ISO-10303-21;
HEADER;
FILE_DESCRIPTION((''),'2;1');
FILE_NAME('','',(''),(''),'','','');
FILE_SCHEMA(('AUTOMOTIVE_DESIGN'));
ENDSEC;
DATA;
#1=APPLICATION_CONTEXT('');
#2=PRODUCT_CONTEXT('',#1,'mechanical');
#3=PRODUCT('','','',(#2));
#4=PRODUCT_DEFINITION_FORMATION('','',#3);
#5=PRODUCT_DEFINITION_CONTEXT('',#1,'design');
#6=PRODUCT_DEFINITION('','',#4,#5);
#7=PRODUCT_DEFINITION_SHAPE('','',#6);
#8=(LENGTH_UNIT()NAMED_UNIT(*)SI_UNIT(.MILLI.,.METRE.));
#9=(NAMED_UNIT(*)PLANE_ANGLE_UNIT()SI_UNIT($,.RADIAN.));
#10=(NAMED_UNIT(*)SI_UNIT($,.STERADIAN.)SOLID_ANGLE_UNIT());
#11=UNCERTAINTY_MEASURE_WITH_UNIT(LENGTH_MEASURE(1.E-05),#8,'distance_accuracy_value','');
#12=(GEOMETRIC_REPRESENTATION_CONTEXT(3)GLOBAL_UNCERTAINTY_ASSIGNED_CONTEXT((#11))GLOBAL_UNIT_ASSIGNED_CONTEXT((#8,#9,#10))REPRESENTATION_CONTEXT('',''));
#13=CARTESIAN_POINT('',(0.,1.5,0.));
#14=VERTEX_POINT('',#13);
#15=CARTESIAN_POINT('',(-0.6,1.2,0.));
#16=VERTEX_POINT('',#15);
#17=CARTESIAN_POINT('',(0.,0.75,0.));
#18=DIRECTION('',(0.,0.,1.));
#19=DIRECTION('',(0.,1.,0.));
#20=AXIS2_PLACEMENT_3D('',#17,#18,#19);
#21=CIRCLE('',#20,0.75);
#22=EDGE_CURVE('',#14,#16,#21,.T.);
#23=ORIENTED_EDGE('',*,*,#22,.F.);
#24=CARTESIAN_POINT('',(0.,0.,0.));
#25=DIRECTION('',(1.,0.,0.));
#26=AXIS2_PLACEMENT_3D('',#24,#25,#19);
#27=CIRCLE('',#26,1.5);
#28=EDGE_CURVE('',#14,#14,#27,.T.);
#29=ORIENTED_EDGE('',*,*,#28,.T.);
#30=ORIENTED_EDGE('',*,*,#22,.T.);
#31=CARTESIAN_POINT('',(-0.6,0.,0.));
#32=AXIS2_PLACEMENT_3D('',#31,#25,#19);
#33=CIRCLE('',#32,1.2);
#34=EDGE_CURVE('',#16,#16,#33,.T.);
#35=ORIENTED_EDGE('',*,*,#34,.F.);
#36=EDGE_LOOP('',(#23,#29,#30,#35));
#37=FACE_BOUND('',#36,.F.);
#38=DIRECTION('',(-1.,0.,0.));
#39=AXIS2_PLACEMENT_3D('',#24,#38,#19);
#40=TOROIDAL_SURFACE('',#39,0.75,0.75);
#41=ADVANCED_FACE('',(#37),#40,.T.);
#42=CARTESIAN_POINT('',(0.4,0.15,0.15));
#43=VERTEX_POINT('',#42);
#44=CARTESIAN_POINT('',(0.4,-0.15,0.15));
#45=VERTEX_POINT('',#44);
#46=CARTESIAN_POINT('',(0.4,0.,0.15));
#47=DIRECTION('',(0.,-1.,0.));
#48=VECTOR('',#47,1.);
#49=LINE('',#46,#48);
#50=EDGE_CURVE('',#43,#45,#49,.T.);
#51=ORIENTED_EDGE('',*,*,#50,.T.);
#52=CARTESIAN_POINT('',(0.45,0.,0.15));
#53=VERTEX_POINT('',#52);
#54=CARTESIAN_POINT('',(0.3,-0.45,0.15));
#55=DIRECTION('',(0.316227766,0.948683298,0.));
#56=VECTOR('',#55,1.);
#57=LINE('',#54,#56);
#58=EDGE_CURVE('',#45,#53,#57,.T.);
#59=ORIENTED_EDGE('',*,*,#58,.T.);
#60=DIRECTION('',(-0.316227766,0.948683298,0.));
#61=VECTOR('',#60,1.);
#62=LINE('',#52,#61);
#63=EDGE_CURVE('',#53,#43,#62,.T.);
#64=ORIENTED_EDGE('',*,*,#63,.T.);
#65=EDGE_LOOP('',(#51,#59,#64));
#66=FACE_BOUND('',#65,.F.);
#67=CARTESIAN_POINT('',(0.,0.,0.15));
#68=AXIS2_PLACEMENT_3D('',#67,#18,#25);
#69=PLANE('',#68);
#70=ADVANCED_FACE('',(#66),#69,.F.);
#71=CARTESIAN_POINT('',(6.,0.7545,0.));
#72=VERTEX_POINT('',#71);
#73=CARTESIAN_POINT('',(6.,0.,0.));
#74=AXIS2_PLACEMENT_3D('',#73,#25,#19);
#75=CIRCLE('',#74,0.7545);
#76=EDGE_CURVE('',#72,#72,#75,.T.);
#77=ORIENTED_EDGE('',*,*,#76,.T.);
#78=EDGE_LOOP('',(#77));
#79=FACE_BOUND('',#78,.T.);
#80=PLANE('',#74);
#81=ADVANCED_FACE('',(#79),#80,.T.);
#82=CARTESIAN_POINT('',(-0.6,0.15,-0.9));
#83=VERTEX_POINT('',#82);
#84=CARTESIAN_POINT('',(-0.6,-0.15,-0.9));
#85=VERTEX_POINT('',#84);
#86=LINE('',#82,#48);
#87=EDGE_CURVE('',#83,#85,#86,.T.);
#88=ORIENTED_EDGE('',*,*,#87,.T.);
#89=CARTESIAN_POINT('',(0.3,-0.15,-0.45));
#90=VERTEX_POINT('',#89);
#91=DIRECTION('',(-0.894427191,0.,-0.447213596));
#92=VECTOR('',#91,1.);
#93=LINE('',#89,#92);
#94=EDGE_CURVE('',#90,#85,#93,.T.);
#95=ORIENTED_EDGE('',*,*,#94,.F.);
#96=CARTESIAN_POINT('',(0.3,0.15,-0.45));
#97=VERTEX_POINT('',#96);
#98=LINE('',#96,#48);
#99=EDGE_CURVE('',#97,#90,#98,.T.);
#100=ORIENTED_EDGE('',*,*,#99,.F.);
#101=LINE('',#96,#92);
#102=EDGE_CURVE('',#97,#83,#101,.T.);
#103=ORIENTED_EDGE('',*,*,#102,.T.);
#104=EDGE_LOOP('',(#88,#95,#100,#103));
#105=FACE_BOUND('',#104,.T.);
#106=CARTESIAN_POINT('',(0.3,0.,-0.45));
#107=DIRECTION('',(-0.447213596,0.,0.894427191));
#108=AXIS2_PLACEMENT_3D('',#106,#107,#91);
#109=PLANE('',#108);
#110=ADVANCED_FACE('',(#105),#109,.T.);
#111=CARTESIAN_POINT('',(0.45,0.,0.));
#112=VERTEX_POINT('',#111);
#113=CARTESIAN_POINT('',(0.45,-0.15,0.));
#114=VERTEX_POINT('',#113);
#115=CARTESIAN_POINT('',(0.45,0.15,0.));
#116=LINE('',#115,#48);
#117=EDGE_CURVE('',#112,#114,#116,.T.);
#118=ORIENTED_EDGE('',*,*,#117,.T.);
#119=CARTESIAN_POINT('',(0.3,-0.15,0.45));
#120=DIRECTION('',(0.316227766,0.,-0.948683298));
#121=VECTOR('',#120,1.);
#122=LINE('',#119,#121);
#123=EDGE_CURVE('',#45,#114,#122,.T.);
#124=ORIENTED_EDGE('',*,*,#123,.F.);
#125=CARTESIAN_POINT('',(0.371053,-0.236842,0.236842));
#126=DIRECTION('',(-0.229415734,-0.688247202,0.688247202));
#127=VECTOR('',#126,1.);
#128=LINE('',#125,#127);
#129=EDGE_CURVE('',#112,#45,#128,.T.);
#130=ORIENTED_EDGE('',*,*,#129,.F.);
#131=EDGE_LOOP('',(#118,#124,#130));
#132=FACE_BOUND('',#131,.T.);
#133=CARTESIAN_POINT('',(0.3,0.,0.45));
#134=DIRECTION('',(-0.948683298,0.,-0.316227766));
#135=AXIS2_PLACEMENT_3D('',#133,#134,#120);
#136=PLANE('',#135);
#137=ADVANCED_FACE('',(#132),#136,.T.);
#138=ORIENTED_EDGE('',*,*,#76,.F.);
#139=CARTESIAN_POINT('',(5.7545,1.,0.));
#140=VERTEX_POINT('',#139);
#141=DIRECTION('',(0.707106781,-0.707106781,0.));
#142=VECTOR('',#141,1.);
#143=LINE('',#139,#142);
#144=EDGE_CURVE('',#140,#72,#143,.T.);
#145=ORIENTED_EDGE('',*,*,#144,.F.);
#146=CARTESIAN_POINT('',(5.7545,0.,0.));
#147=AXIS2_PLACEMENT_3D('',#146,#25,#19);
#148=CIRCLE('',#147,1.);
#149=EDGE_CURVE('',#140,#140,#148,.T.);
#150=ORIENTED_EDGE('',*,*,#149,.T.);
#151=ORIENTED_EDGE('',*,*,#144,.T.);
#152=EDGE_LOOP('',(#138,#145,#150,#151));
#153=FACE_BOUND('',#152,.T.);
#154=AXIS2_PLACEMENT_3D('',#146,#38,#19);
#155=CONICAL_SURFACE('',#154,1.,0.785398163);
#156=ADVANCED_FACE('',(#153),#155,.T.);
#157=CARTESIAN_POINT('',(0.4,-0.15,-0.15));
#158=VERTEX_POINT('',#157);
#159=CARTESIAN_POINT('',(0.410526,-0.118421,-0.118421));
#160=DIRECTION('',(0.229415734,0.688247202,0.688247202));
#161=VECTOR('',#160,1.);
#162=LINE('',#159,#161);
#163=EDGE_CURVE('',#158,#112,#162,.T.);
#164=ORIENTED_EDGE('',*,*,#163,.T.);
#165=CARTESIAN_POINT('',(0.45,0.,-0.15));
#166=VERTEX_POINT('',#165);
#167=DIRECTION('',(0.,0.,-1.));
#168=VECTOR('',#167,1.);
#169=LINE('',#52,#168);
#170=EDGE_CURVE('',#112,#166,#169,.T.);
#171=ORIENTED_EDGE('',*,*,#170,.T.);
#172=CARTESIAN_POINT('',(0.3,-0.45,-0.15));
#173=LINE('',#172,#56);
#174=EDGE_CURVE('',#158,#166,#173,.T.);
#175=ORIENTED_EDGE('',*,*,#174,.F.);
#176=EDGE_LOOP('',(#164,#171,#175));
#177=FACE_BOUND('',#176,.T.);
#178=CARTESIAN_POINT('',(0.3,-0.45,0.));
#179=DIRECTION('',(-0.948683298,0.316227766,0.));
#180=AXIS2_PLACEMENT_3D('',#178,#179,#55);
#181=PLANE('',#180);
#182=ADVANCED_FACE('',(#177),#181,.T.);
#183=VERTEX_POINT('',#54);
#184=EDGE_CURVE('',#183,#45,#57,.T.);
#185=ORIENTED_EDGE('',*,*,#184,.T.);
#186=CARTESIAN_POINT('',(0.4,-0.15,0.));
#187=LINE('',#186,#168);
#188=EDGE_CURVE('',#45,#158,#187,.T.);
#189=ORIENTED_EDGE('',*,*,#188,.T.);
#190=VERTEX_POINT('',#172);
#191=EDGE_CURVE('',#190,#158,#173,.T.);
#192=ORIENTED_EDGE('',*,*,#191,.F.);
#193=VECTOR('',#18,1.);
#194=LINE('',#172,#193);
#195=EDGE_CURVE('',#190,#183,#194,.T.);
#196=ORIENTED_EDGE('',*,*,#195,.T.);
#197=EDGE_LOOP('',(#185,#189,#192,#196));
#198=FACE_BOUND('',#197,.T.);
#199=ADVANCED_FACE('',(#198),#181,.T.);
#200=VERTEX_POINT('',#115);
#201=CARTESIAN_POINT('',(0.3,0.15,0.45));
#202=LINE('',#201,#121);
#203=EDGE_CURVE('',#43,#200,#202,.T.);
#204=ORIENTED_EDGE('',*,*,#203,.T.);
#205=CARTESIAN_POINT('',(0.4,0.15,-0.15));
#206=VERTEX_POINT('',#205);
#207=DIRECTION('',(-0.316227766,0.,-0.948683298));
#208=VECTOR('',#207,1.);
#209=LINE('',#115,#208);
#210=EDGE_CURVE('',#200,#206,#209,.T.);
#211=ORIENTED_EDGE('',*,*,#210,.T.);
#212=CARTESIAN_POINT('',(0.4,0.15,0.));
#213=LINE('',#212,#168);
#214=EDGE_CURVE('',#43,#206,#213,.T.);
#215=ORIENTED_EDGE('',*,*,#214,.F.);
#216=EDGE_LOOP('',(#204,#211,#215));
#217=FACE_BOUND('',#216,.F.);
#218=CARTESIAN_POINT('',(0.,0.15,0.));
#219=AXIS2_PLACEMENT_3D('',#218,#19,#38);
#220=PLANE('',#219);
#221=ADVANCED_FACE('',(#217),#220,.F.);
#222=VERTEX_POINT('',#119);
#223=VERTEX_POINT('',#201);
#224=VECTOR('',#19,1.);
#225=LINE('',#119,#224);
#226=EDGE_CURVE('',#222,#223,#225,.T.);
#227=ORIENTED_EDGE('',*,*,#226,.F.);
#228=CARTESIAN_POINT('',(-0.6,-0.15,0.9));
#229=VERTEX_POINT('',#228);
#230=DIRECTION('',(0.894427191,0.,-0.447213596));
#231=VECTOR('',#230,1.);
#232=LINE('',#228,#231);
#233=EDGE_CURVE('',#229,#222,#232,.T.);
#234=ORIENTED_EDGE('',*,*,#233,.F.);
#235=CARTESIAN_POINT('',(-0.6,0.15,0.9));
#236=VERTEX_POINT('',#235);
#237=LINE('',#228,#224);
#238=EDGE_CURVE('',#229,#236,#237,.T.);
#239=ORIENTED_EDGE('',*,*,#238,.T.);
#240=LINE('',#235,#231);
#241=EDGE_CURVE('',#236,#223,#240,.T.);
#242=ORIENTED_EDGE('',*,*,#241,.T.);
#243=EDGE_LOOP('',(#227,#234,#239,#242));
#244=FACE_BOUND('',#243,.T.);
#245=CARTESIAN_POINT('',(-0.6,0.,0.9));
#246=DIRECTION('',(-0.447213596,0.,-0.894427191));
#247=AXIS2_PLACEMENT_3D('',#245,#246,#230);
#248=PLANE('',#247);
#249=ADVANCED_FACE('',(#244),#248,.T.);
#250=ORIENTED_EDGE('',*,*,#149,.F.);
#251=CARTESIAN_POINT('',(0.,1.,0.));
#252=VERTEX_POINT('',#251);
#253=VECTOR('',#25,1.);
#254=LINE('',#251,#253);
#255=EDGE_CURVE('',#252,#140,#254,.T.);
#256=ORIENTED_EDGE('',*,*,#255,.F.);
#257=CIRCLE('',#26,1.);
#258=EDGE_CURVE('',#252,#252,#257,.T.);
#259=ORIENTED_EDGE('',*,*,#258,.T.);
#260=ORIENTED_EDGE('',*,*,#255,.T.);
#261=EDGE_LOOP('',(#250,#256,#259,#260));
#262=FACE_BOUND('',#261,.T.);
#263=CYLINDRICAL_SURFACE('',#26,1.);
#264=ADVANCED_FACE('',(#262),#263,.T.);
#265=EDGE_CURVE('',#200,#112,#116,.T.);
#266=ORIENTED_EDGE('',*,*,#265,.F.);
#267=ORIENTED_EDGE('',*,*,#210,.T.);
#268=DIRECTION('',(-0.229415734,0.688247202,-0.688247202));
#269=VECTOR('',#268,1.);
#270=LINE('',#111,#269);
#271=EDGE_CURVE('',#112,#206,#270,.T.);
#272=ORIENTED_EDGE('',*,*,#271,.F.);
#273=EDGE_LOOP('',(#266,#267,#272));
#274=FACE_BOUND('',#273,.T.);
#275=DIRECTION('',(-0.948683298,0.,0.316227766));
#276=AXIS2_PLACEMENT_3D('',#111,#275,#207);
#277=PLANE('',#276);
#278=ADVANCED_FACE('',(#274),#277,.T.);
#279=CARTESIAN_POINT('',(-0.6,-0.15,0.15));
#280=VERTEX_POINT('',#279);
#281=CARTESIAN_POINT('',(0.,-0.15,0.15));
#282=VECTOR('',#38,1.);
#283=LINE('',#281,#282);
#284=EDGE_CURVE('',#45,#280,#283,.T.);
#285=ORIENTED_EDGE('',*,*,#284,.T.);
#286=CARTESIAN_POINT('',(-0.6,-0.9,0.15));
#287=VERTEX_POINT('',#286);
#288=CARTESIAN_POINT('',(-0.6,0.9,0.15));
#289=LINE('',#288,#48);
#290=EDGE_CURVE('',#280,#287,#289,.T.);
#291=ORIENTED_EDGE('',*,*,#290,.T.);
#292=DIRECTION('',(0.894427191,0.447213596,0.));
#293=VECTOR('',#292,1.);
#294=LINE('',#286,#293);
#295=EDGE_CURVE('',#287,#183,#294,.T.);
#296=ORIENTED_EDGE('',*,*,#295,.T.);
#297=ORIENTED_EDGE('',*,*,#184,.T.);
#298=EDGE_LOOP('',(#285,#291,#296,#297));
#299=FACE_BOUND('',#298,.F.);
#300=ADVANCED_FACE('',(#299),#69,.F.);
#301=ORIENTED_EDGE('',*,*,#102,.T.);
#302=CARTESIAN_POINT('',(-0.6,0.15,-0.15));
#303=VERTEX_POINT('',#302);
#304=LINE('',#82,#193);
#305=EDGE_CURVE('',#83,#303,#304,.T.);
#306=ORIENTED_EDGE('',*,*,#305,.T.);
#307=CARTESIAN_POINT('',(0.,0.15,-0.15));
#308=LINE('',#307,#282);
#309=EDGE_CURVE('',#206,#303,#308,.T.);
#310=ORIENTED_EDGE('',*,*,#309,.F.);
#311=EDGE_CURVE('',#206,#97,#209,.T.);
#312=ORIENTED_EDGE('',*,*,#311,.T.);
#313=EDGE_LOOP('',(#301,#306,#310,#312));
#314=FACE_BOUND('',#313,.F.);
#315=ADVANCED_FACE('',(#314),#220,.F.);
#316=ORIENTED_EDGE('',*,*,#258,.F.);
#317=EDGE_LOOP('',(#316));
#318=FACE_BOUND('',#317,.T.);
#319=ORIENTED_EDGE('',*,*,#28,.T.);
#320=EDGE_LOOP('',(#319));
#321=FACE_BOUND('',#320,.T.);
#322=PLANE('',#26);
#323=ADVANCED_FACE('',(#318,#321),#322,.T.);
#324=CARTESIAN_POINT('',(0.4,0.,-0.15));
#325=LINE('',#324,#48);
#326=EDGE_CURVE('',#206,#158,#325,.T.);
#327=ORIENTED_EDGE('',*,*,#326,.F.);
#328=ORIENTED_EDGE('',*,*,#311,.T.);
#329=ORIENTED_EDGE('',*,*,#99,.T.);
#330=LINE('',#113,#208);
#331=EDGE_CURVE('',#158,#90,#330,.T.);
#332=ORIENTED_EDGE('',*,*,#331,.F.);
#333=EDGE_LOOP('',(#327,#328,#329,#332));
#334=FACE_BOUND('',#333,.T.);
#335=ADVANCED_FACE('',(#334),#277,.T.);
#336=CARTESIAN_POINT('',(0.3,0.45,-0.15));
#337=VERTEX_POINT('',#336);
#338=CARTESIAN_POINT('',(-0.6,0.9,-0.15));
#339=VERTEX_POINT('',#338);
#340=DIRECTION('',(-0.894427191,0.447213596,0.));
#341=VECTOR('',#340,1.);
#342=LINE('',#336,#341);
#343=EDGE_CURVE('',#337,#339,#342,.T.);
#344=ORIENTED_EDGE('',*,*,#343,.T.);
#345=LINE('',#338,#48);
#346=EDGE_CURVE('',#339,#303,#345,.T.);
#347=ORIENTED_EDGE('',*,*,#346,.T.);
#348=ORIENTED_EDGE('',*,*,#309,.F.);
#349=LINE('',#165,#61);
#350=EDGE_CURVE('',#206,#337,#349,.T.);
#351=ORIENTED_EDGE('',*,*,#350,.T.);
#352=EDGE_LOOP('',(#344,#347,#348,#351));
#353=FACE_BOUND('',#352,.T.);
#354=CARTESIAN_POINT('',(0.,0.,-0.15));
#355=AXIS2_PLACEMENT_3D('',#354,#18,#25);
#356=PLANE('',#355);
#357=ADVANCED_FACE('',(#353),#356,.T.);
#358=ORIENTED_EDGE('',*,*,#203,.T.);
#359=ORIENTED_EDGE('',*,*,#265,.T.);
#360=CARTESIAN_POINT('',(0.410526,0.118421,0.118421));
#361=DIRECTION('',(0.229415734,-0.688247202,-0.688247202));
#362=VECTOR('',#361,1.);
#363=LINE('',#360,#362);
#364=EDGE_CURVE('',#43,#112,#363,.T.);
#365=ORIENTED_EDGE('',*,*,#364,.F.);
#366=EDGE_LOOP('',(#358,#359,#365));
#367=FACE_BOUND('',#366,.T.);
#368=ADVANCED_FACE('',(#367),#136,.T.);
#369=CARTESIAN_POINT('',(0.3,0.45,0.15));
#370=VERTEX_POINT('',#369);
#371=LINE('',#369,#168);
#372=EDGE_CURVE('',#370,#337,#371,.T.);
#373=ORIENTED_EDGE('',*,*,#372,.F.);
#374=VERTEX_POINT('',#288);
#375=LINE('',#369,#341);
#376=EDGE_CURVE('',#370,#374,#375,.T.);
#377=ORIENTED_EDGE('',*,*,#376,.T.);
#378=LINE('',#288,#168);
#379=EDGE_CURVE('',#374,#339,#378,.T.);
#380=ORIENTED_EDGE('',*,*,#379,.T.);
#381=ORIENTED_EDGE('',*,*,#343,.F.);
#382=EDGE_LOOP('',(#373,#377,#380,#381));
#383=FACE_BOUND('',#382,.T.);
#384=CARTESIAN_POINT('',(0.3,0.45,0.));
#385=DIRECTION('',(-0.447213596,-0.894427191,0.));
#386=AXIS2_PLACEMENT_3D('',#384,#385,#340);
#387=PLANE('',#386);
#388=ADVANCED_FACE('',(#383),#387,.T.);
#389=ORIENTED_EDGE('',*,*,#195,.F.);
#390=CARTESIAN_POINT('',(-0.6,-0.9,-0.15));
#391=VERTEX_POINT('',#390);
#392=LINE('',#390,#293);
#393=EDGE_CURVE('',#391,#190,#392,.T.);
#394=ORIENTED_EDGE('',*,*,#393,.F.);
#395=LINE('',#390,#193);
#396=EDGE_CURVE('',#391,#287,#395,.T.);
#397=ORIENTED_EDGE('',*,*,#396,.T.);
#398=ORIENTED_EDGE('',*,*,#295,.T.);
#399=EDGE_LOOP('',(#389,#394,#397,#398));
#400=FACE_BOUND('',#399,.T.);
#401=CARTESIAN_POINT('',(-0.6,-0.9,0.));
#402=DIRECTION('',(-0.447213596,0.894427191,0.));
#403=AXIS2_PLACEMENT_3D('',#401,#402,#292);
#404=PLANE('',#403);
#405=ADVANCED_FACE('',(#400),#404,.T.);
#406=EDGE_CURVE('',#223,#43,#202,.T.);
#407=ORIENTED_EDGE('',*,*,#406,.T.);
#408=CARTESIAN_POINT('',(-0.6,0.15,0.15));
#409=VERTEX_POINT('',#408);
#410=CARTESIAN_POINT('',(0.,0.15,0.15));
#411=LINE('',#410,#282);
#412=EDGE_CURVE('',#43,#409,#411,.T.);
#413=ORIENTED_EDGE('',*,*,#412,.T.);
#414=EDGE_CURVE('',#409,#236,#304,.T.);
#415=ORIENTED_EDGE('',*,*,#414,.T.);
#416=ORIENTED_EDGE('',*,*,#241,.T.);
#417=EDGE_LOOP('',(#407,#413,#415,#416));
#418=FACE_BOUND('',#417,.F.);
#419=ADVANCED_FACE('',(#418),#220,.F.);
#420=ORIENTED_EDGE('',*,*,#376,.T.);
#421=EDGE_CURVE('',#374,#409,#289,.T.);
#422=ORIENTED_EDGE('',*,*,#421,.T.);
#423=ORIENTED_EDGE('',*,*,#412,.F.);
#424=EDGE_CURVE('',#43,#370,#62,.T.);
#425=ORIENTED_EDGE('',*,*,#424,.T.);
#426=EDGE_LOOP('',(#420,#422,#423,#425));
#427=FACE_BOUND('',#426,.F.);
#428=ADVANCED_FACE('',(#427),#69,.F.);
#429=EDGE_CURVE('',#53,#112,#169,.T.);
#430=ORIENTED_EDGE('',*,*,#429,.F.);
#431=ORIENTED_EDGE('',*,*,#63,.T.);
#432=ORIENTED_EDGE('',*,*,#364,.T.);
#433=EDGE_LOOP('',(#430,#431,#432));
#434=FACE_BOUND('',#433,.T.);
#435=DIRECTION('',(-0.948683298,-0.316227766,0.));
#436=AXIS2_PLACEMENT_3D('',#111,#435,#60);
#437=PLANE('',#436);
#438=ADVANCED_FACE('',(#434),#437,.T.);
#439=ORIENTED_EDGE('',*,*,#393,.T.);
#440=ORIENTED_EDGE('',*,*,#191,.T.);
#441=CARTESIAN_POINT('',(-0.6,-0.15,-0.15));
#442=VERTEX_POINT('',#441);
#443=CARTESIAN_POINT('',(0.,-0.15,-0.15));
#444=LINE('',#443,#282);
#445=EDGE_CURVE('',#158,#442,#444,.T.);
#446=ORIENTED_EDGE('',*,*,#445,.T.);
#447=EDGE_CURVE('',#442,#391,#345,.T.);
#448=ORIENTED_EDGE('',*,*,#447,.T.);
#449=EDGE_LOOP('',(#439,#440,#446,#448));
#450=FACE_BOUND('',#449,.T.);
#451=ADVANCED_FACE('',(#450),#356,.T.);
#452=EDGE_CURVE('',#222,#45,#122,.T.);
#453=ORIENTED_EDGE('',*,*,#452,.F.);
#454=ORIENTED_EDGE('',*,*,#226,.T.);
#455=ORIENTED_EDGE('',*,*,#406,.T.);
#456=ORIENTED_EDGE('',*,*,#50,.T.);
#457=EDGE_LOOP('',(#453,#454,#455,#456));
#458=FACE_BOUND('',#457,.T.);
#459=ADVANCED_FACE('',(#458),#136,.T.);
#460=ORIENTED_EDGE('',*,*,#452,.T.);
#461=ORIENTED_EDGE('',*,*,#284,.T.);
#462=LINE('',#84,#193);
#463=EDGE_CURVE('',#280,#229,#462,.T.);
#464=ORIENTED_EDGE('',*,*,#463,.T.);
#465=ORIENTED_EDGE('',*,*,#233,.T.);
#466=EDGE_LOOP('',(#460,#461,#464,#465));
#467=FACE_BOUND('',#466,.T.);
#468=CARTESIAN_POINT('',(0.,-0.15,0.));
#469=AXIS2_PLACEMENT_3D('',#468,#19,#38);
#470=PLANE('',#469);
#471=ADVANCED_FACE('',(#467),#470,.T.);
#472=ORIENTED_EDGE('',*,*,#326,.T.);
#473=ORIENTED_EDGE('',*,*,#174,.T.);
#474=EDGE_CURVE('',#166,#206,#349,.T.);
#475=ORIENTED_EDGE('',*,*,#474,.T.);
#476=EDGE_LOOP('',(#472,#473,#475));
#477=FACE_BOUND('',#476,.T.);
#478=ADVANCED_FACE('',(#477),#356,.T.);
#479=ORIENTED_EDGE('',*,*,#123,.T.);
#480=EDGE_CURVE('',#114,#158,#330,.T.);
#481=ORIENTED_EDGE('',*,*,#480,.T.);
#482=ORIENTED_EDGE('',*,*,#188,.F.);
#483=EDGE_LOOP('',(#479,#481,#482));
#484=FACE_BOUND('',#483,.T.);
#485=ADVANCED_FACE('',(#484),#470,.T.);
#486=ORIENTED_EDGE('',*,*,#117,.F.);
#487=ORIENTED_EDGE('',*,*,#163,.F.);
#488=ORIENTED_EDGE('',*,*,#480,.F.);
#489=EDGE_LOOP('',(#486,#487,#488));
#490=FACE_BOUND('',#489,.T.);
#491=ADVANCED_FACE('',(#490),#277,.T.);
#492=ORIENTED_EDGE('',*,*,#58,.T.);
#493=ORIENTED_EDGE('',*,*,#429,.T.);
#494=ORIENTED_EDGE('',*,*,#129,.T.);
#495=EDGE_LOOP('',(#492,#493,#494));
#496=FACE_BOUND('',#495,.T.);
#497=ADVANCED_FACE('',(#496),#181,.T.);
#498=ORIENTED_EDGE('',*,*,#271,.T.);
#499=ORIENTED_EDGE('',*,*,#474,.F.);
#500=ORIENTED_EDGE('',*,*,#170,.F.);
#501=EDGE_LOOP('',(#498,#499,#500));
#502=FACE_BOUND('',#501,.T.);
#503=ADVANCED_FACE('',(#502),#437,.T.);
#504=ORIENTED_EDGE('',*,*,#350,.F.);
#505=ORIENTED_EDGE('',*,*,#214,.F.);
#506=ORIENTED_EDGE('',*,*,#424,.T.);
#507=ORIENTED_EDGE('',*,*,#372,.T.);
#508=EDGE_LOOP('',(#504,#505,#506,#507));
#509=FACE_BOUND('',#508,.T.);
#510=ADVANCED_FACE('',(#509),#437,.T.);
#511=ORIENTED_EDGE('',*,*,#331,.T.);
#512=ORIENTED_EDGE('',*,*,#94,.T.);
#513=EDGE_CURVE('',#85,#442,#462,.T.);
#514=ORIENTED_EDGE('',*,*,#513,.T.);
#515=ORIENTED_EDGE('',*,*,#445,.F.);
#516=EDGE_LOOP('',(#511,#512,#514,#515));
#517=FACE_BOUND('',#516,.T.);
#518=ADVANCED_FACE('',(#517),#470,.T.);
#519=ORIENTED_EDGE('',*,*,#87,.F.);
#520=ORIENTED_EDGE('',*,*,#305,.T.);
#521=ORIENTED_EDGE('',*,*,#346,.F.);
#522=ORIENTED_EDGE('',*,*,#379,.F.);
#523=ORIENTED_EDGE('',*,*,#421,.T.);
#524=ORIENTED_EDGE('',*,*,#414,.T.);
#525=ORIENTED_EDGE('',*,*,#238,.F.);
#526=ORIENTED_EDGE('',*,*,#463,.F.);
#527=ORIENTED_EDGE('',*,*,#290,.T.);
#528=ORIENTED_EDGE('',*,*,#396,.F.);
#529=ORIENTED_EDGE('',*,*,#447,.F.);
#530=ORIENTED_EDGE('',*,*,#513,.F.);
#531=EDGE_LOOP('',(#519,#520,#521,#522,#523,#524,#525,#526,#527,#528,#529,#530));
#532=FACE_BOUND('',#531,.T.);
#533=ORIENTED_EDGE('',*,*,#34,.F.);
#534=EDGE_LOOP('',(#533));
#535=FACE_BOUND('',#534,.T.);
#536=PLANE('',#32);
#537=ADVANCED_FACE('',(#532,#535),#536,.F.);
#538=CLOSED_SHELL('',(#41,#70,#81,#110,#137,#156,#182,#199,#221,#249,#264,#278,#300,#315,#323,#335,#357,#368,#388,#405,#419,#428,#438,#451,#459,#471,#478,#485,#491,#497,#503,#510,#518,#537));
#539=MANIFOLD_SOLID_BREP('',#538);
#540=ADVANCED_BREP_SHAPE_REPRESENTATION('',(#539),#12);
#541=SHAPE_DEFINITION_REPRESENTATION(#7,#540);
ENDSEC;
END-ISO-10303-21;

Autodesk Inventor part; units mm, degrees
ref_plane "YZ Plane" through (0, 0, 0) normal (1, 0, 0) x (0, 1, 0)
ref_plane "XZ Plane" through (0, 0, 0) normal (0, 1, 0) x (-1, 0, 0)
ref_plane "XY Plane" through (0, 0, 0) normal (0, 0, 1) x (1, 0, 0)
sketch "Sketch_1" plane through (0, 0, 0) normal (0, 0, 1) x (1, 0, 0)
  line L0 (6, 0) -> (-0.6, 0)
  line L1 (-0.6, 0) -> (-0.6, 1.2)
  arc A0 (0, 1.5) -> (-0.6, 1.2) centre (0, 0.75) ccw
  line L2 (0, 1.5) -> (0, 1)
  line L3 (0, 1) -> (5.7545, 1)
  line L4 (5.7545, 1) -> (6, 0.7545)
  line L5 (6, 0.7545) -> (6, 0)
  line L6 (6, 0) -> (-0.6, 0)
revolve "Revolution1" add sketch "Sketch_1" angle 360 about axis through (6, 0, 0) along (1, 0, 0)
thread "Thread1" size "M2x0.4" class "6g" standard "ISO Metric profile" length 5.3293
sketch "Sketch_2" plane through (0, 0, 0) normal (0, 0, 1) x (1, 0, 0)
  line L0 (-0.6, -0.9) -> (0.3, -0.45)
  line L1 (0.3, -0.45) -> (0.45, 0)
  line L2 (0.45, 0) -> (0.3, 0.45)
  line L3 (0.3, 0.45) -> (-0.6, 0.9)
  line L4 (-0.6, 0.9) -> (-0.6, -0.9)
extrude "Extrusion1" cut sketch "Sketch_2" along normal mid plane 0.3
sketch "Sketch_3" plane through (0, 0, 0) normal (0, 1, 0) x (-1, 0, 0)
  line L0 (0.6, 0.9) -> (-0.3, 0.45)
  line L1 (-0.3, 0.45) -> (-0.45, 0)
  line L2 (-0.45, 0) -> (-0.3, -0.45)
  line L3 (-0.3, -0.45) -> (0.6, -0.9)
  line L4 (0.6, -0.9) -> (0.6, 0.9)
extrude "Extrusion2" cut sketch "Sketch_3" along normal mid plane 0.3
properties part number "SNZS-M2-6"
